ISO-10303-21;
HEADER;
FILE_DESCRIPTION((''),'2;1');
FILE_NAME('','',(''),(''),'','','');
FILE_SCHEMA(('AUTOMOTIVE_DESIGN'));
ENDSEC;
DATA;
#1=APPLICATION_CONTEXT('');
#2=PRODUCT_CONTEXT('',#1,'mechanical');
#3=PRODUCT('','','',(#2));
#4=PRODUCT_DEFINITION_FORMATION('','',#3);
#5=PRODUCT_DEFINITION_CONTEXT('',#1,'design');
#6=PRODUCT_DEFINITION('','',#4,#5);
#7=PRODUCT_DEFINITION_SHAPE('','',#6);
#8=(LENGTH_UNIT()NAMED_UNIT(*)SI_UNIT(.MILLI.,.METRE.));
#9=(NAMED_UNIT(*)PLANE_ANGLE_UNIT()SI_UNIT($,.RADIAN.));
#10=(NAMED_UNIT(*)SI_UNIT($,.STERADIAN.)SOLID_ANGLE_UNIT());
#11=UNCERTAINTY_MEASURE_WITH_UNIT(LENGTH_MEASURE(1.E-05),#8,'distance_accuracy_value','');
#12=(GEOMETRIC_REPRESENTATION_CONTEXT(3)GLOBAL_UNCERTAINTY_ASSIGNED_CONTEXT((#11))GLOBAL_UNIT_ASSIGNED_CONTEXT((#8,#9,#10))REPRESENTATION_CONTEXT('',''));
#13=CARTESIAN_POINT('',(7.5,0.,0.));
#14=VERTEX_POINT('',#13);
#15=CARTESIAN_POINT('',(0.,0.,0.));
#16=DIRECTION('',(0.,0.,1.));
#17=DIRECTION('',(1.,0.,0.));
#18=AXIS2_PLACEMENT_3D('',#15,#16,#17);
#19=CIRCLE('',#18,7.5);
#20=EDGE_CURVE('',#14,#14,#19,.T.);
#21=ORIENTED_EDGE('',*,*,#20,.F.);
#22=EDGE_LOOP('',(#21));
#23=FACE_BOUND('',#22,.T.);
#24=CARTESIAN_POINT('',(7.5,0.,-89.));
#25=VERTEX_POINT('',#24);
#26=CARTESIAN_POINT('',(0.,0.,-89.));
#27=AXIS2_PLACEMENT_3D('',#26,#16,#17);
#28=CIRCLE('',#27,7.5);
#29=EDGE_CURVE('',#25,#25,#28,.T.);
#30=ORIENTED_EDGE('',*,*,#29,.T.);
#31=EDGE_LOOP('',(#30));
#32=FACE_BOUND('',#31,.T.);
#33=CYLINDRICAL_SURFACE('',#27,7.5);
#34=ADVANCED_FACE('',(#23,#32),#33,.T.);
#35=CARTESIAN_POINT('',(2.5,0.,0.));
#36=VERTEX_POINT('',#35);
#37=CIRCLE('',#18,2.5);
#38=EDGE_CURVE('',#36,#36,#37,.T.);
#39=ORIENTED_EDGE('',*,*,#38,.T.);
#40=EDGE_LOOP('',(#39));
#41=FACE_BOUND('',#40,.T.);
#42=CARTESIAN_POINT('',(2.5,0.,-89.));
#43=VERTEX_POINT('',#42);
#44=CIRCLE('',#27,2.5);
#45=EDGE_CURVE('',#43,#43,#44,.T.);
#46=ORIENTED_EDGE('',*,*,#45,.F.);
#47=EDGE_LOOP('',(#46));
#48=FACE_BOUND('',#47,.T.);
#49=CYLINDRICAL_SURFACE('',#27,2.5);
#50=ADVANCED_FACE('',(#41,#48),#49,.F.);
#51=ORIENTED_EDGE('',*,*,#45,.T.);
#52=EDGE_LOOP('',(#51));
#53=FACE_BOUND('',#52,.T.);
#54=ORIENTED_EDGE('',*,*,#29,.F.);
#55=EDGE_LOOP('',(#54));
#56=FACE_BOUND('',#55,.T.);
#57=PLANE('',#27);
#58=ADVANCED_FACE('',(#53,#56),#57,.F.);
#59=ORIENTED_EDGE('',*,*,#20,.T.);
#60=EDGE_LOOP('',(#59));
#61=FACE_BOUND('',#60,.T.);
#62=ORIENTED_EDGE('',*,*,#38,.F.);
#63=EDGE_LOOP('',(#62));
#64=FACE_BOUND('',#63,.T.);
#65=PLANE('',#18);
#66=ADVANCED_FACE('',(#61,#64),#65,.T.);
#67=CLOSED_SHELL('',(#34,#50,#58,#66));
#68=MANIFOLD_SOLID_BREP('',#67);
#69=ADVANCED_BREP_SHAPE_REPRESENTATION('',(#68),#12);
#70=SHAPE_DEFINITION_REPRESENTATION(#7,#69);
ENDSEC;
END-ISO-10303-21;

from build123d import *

# Parameters (mm, degrees)
CROQUIS1_R              = 7.5
SALIENTE_EXTRUIR1_DEPTH = 89
CROQUIS2_R              = 2.5
CORTAR_EXTRUIR1_DEPTH   = 89


with BuildPart() as part:
    # Croquis1 → Saliente-Extruir1 (new body)
    with BuildSketch(Plane.XY):
        Circle(CROQUIS1_R)
    extrude(amount=-SALIENTE_EXTRUIR1_DEPTH)

    # Croquis2 → Cortar-Extruir1 (cut)
    with BuildSketch(Plane.XY):
        Circle(CROQUIS2_R)
    extrude(amount=-CORTAR_EXTRUIR1_DEPTH, mode=Mode.SUBTRACT)


solid = part.part
